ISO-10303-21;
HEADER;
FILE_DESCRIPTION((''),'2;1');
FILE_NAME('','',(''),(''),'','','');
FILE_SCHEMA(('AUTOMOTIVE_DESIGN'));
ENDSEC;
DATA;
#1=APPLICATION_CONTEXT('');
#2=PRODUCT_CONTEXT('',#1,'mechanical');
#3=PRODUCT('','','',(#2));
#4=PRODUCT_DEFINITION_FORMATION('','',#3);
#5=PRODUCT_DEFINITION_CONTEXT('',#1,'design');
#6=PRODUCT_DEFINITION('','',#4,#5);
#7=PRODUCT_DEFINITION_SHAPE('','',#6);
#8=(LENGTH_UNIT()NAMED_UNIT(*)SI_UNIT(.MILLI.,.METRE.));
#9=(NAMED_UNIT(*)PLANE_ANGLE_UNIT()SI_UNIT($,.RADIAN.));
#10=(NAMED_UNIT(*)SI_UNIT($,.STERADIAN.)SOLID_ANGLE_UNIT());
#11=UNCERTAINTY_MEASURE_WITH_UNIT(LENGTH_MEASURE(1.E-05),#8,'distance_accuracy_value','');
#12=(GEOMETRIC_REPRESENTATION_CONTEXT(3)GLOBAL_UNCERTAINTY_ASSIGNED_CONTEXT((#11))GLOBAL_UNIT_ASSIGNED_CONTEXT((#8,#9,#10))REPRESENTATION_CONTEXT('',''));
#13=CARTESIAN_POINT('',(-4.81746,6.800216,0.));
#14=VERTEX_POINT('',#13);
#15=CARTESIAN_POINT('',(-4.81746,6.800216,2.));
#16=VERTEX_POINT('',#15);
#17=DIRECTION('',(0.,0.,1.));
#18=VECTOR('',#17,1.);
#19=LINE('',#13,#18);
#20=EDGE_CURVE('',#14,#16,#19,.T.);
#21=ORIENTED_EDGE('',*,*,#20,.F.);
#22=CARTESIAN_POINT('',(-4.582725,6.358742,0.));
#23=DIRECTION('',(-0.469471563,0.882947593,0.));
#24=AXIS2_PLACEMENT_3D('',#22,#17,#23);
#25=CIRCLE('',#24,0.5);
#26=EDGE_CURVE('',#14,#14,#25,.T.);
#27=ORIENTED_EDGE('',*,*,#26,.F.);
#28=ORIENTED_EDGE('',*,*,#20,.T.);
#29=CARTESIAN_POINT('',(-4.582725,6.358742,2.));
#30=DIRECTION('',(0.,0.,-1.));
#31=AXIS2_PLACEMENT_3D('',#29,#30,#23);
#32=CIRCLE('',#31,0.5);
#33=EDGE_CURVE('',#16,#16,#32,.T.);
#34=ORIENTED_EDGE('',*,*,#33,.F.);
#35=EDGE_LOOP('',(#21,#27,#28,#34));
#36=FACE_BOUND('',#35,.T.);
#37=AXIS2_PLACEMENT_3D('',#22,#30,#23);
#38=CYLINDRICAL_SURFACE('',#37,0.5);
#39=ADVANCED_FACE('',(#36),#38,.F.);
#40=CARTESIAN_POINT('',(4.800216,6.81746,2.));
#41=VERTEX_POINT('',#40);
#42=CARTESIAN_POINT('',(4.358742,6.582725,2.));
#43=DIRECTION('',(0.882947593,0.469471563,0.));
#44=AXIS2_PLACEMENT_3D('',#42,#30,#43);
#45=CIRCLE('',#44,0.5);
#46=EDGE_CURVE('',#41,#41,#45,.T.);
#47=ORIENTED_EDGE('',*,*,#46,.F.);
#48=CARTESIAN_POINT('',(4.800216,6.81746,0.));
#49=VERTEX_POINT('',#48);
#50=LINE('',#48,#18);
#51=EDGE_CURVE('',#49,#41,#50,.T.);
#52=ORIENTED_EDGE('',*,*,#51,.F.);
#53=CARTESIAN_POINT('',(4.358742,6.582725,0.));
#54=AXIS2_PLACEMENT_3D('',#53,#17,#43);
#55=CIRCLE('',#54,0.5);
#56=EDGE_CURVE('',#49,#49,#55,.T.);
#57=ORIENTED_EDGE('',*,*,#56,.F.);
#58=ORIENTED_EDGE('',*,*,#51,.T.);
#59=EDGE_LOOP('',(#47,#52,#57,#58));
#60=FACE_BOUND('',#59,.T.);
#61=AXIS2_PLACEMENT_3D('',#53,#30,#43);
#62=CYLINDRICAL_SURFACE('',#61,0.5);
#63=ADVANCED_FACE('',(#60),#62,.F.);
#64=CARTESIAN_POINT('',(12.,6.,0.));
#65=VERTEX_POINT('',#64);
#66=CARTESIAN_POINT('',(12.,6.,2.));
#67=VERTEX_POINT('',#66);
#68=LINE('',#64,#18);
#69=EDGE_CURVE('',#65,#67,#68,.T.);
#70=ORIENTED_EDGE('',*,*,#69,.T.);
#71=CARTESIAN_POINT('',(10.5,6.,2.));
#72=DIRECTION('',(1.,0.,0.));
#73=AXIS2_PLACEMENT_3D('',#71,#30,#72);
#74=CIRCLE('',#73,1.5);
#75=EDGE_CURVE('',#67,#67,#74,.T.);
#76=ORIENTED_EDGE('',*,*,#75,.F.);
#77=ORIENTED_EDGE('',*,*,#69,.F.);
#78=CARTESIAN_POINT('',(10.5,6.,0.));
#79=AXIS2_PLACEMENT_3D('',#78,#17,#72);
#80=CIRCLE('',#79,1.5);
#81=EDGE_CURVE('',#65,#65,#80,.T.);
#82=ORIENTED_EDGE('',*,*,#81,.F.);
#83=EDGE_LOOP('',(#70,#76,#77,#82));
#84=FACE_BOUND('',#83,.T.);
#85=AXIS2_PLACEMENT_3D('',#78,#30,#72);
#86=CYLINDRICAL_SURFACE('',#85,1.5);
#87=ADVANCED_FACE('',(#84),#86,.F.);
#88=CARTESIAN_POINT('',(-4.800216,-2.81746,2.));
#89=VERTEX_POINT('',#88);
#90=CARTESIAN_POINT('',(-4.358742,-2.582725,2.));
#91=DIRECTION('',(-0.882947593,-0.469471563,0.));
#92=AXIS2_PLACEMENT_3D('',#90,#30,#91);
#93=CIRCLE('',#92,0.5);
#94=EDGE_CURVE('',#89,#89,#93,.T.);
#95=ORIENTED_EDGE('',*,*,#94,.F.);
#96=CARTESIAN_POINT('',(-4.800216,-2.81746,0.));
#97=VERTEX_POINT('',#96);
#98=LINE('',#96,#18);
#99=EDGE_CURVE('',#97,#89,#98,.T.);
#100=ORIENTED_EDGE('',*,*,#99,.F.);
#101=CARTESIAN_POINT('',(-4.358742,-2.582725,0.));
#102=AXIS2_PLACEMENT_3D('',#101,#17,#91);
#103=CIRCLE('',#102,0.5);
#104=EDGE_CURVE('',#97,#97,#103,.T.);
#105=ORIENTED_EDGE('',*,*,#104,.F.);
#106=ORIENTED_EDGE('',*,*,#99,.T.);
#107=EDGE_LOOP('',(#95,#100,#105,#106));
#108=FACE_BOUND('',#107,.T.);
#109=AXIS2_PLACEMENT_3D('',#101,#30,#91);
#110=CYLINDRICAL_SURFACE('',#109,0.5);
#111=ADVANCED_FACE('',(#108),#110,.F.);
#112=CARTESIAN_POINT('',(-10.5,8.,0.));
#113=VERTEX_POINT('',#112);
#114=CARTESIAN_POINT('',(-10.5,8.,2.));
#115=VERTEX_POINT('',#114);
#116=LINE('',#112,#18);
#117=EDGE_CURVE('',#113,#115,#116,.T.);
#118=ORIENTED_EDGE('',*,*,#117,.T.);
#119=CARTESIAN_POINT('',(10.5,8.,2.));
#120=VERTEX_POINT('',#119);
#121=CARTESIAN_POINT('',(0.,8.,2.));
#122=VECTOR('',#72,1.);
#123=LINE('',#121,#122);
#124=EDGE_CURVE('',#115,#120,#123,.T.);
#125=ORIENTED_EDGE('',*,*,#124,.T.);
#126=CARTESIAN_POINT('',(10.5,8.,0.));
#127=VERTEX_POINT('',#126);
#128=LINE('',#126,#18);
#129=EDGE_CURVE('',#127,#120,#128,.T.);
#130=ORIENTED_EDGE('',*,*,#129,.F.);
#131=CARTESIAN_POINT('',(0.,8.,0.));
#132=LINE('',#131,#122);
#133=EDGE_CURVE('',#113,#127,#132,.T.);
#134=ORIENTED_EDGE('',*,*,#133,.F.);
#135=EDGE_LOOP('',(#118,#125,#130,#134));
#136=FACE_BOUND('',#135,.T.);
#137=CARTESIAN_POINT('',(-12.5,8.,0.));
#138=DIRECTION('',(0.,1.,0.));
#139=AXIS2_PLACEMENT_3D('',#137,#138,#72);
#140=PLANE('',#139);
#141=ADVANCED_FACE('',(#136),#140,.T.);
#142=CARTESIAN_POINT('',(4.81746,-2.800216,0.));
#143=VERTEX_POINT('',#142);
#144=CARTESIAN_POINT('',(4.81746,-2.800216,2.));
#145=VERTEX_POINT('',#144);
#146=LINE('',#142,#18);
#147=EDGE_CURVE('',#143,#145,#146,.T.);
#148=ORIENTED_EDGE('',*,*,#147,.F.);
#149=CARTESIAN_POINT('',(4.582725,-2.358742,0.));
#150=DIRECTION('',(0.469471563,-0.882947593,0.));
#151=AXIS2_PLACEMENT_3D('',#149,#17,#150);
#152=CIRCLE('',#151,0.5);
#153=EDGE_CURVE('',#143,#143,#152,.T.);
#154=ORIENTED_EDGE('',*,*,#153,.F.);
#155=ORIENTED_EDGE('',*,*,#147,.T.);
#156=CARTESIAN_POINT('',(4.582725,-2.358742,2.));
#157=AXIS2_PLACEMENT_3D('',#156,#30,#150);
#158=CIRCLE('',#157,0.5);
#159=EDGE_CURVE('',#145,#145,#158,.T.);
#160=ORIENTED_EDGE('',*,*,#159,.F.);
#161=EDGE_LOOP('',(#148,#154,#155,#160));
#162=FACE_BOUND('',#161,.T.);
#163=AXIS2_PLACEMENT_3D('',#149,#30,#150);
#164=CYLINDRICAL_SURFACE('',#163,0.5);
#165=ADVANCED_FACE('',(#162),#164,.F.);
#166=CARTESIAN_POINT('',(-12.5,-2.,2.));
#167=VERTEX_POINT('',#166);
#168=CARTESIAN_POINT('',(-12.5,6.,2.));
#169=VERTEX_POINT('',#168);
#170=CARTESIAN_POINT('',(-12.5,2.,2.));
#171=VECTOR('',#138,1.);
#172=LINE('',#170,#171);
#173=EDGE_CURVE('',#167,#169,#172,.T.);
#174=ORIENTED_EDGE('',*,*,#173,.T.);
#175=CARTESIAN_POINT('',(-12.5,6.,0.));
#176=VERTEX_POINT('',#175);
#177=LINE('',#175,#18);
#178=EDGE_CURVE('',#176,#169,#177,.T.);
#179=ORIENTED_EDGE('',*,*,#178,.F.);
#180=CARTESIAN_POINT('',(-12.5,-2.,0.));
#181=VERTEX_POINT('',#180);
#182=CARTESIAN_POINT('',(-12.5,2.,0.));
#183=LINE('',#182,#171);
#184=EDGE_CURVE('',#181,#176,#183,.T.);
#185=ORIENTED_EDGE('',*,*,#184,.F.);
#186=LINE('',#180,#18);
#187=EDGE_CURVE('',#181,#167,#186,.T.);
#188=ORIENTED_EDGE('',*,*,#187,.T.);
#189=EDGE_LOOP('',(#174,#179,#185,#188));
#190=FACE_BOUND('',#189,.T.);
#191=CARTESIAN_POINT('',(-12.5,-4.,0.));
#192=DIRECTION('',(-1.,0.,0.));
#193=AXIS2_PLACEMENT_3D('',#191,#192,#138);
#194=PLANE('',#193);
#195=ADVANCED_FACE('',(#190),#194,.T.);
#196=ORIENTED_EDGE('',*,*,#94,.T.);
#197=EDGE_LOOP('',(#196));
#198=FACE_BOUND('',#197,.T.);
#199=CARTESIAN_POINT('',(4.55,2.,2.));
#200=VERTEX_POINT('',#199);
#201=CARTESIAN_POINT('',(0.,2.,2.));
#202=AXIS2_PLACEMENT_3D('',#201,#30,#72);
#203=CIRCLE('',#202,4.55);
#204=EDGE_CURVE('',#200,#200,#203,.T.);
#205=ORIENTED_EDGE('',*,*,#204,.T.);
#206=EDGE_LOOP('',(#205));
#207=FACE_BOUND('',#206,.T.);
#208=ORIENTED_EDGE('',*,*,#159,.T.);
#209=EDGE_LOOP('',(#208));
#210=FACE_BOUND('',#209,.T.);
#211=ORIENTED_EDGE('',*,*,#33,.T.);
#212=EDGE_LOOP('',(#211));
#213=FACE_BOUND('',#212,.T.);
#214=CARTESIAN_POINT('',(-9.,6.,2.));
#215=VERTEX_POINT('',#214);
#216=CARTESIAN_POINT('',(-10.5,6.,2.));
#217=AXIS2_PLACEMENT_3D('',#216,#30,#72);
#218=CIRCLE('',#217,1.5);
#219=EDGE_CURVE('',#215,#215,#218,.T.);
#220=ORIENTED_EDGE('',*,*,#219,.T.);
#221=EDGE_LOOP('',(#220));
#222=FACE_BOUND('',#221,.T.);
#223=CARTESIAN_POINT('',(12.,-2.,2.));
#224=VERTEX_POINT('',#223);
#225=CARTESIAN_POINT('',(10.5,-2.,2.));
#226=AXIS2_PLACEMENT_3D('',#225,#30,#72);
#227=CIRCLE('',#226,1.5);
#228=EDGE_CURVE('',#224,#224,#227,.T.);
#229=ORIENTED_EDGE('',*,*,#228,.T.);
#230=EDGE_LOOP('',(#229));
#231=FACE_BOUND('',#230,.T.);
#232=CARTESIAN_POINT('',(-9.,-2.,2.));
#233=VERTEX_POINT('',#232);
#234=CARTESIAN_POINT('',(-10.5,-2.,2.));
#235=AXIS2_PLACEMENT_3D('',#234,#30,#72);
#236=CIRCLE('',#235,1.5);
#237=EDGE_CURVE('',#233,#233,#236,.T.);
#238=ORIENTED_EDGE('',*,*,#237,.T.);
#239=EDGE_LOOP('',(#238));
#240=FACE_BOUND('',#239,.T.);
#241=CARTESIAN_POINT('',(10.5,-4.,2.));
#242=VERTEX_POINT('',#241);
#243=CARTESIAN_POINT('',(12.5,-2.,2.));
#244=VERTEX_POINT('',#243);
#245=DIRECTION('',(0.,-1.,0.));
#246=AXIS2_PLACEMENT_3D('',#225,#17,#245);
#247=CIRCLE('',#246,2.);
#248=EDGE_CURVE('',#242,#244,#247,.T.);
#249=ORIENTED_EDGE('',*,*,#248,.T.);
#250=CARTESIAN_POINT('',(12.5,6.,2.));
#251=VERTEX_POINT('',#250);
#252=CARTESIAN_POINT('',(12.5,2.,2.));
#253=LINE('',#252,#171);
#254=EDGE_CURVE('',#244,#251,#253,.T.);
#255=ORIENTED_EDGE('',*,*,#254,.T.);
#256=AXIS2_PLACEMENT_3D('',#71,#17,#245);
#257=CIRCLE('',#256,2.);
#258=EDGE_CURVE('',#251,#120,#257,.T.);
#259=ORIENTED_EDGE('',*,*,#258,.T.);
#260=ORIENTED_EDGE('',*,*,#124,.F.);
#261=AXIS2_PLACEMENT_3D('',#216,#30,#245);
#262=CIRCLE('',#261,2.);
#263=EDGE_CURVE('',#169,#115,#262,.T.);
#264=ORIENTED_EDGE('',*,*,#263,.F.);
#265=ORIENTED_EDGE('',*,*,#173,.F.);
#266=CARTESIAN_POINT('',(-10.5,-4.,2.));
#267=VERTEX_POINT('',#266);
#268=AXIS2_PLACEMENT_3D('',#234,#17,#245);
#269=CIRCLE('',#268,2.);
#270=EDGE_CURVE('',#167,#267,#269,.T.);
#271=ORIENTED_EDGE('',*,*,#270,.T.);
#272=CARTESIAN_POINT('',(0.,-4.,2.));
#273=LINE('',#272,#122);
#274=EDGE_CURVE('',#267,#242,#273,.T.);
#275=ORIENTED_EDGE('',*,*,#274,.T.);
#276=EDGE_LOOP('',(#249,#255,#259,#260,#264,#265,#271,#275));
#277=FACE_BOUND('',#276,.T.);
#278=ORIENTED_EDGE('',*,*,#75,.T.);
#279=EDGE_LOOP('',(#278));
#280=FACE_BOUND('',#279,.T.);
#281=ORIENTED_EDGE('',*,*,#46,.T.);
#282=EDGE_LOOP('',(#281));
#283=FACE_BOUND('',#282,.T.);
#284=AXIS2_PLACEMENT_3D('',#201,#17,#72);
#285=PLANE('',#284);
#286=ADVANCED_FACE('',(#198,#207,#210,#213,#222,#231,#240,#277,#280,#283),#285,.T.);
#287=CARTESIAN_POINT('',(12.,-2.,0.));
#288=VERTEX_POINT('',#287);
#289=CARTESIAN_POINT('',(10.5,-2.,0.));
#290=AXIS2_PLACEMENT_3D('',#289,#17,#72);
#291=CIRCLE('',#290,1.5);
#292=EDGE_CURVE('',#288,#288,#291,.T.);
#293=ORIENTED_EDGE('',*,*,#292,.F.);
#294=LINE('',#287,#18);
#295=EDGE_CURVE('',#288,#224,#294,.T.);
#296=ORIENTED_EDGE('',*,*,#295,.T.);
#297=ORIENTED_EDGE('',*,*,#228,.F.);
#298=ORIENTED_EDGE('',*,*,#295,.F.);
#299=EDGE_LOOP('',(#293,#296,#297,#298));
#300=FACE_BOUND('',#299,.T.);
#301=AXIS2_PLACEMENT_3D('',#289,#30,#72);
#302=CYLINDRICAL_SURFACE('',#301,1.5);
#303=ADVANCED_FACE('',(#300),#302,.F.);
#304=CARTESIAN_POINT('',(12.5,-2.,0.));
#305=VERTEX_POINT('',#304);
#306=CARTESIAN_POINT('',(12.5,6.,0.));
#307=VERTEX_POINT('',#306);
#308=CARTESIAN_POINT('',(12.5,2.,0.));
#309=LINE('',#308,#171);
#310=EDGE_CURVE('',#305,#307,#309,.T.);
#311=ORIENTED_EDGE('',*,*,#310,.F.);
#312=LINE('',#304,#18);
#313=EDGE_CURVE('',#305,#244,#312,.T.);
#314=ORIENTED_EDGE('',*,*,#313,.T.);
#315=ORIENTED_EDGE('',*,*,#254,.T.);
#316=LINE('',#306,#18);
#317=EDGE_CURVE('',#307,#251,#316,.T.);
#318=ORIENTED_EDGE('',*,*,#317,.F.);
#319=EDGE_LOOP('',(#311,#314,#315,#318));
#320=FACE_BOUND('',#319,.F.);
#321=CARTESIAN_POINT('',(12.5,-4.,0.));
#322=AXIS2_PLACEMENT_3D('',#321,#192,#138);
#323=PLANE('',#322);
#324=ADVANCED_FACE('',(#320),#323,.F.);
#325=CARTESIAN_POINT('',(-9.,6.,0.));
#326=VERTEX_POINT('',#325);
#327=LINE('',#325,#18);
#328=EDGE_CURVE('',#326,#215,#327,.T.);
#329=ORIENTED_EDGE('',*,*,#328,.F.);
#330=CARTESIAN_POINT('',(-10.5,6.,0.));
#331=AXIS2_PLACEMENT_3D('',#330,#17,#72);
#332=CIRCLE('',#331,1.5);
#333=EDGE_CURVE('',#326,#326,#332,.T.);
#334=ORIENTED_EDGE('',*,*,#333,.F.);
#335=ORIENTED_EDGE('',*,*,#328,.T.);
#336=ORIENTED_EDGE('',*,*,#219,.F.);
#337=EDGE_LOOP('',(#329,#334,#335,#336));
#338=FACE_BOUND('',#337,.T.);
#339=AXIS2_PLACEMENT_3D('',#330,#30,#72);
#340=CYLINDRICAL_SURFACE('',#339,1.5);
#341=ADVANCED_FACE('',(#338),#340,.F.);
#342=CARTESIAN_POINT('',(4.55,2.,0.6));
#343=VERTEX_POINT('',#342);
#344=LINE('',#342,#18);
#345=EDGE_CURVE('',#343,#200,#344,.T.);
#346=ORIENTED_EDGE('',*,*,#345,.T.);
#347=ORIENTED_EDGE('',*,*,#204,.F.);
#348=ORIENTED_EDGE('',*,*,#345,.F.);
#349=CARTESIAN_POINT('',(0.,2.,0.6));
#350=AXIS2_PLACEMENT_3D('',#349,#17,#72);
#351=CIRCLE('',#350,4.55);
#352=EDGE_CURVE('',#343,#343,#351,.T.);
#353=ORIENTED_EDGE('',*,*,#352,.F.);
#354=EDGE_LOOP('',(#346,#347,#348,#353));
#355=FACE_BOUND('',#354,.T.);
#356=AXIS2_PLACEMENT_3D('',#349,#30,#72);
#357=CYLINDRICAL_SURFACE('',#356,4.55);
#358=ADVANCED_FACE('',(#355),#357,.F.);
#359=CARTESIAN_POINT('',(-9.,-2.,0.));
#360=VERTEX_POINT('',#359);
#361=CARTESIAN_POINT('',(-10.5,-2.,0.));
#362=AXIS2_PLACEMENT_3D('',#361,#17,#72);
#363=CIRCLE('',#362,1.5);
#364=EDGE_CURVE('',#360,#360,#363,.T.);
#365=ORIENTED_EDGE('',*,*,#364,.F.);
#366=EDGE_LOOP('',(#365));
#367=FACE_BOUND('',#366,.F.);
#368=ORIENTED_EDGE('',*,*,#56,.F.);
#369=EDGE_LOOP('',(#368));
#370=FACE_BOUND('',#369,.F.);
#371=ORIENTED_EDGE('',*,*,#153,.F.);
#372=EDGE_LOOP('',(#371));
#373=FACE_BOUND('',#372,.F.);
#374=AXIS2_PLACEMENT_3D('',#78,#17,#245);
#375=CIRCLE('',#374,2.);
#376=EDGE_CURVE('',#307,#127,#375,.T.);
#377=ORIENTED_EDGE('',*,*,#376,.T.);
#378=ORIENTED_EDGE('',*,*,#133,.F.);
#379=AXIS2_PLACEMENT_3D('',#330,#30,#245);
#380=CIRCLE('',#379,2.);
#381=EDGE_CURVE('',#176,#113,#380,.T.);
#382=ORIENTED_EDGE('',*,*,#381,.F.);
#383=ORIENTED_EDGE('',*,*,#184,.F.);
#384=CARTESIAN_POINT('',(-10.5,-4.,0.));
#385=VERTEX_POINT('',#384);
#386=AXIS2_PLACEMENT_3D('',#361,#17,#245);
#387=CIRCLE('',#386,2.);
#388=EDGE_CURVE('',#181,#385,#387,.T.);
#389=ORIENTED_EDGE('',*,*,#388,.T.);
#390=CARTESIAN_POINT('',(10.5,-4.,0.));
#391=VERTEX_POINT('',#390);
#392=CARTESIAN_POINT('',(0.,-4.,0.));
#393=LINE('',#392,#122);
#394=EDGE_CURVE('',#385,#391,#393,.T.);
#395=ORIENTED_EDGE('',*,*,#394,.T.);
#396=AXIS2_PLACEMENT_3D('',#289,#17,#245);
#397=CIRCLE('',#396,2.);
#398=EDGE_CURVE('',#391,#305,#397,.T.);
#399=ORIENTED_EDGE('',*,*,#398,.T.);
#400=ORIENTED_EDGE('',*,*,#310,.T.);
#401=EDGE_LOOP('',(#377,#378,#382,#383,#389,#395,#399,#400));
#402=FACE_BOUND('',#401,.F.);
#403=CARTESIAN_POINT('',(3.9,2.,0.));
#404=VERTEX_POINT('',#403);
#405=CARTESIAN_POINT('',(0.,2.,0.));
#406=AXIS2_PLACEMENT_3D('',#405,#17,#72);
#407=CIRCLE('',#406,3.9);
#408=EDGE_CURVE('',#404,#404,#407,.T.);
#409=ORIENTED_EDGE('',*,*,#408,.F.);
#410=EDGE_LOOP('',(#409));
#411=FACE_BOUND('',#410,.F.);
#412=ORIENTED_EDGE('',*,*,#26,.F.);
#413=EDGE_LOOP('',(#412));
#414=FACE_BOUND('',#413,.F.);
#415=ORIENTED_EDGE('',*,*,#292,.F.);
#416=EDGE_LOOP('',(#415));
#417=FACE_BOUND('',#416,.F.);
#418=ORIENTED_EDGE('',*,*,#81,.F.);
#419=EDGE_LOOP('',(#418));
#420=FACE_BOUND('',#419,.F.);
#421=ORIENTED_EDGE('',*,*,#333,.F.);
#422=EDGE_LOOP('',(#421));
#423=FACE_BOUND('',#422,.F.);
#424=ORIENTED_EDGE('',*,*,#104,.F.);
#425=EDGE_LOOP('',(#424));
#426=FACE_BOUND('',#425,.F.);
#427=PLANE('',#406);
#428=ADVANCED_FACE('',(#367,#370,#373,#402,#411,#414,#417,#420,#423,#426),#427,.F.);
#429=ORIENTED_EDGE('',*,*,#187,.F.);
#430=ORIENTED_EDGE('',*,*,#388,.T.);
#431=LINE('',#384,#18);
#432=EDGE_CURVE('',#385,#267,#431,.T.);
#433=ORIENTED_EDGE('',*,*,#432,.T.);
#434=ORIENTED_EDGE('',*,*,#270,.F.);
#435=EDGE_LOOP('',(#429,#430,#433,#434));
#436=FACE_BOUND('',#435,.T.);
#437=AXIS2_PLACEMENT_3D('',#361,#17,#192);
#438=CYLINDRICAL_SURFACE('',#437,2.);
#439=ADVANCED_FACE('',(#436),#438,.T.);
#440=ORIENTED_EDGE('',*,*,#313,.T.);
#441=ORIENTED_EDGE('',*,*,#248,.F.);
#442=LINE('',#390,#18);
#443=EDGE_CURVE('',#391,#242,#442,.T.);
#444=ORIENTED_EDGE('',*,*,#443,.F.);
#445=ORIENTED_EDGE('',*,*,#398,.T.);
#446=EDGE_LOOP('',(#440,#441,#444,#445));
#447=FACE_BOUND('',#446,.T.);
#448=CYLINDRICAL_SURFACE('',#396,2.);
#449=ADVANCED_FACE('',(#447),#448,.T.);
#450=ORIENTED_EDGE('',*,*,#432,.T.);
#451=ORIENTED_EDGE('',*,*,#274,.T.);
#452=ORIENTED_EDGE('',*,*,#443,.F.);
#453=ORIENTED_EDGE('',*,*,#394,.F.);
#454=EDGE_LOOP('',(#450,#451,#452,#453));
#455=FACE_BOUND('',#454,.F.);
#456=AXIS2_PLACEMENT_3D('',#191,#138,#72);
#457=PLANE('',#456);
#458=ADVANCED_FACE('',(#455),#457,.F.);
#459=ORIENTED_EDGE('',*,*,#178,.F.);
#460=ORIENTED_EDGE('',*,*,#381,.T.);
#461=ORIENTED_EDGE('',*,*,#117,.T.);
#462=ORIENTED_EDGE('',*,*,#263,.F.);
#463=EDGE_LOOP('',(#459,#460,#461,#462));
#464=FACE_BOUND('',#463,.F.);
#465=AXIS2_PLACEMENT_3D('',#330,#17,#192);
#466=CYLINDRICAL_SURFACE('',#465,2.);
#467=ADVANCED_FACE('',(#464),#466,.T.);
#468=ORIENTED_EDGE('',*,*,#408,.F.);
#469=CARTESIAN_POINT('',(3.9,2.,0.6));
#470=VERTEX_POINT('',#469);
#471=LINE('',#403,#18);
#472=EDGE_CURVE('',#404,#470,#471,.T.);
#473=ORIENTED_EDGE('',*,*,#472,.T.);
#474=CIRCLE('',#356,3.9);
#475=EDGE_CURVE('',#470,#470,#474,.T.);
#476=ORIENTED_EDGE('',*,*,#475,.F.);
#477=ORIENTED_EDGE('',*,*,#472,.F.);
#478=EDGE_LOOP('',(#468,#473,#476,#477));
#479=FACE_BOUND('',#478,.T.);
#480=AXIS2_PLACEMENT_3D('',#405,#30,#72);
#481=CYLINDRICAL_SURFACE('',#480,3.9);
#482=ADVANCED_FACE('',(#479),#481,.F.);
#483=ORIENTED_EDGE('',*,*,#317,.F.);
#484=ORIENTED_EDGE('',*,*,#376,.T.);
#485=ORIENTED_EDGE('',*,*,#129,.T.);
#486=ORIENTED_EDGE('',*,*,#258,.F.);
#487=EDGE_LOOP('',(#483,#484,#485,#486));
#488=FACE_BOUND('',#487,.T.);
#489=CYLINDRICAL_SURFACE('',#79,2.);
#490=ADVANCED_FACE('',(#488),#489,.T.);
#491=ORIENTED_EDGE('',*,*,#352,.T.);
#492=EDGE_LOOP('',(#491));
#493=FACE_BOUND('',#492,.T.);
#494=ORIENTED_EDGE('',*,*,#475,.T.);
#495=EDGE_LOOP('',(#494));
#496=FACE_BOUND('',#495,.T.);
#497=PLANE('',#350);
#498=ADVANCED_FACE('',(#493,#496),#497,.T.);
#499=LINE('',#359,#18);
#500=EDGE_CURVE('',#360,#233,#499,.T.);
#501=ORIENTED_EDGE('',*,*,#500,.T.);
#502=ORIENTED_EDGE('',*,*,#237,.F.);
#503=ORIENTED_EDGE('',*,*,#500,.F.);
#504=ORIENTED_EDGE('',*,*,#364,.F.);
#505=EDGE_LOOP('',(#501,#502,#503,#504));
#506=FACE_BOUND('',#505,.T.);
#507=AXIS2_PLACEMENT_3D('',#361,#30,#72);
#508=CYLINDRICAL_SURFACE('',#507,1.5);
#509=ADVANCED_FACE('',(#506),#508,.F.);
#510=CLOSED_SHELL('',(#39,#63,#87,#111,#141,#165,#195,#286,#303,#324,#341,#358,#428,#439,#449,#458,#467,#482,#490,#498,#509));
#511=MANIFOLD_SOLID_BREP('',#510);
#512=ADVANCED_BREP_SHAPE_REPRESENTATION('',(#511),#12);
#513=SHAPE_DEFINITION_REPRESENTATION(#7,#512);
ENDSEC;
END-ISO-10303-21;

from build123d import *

# Parameters (mm, degrees)
CYLINDER065_R            = 0.5
CYLINDER065_DEPTH        = 10
ARRAY016_COUNT           = 4
ARRAY016_PLACEMENT_ANGLE = 28
CYLINDER060_R            = 4.55
CYLINDER060_DEPTH        = 10
CYLINDER059_R            = 3.9
CYLINDER059_DEPTH        = 10
CYLINDER063_R            = 1.5
CYLINDER063_DEPTH        = 10
ARRAY018_X_COUNT         = 2
ARRAY018_X_PITCH         = 21
ARRAY018_Y_COUNT         = 2
ARRAY018_Y_PITCH         = 8
BOX008_W                 = 25
BOX008_H                 = 12
BOX008_DEPTH             = 2
FILLET008_R              = 2


with BuildPart() as array016:
    # Cylinder065 → Cylinder065 (new body)
    with BuildSketch(Plane(origin=(6, 2, 0), x_dir=(1, 0, 0), z_dir=(0, 0, 1))):
        Circle(CYLINDER065_R)
    extrude(amount=CYLINDER065_DEPTH)

    # Array016: Array016 ×4 about axis
    array016_axis = Axis((0, 0, 0), (0, 0, 1))


with BuildPart() as array016_1:
    add(array016.part)
    for i in range(1, ARRAY016_COUNT):
        add(array016.part.rotate(array016_axis, i * 360 / ARRAY016_COUNT))


with BuildPart() as array016_2:
    # Array016 placement: moved
    add(array016_1.part.rotate(Axis((0, 0, 0), (0, 0, 1)), ARRAY016_PLACEMENT_ANGLE))


with BuildPart() as mountplatelip005:
    # Cylinder060 → Cylinder060 (new body)
    with BuildSketch(Plane.XY.offset(0.6)):
        Circle(CYLINDER060_R)
    extrude(amount=CYLINDER060_DEPTH)


with BuildPart() as mountplateinnerhole004:
    # Cylinder059 → Cylinder059 (new body)
    with BuildSketch(Plane.XY):
        Circle(CYLINDER059_R)
    extrude(amount=CYLINDER059_DEPTH)


with BuildPart() as fusion020:
    # Cylinder063 → Cylinder063 (new body)
    with BuildSketch(Plane.XY):
        Circle(CYLINDER063_R)
    extrude(amount=CYLINDER063_DEPTH)

    # Array018 X: Fusion020 ×2


with BuildPart() as fusion020_1:
    add(fusion020.part)
    with Locations(*[(i * ARRAY018_X_PITCH, 0, 0) for i in range(1, ARRAY018_X_COUNT)]):
        add(fusion020.part)

    # Array018 Y: Fusion020 ×2


with BuildPart() as fusion020_2:
    add(fusion020_1.part)
    with Locations(*[(0, i * ARRAY018_Y_PITCH, 0) for i in range(1, ARRAY018_Y_COUNT)]):
        add(fusion020_1.part)


with BuildPart() as fusion020_3:
    # Array018 placement: moved
    add(fusion020_2.part.moved(Location((-10.5, -4, 0))))

    # Fusion020: union Array016, MountPlateLip005, MountPlateInnerHole004
    add(array016_2.part)
    add(mountplatelip005.part)
    add(mountplateinnerhole004.part)


with BuildPart() as backplate:
    # Box008 → Box008 (new body)
    with BuildSketch(Plane(origin=(-12.5, -6, 0), x_dir=(1, 0, 0), z_dir=(0, 0, 1))):
        with Locations((12.5, 6)):
            Rectangle(BOX008_W, BOX008_H)
    extrude(amount=BOX008_DEPTH)

    # Fillet008
    fillet008_edges = [backplate.edges().sort_by_distance(p)[0] for p in [
        (-12.5, -6, 1),
        (-12.5, 6, 1),
        (12.5, -6, 1),
        (12.5, 6, 1),
    ]]
    fillet(fillet008_edges, radius=FILLET008_R)

    # Cut023: cut Fusion020
    add(fusion020_3.part, mode=Mode.SUBTRACT)


with BuildPart() as backplate_1:
    # Cut023 placement: moved
    add(backplate.part.moved(Location((0, 2, 0))))


solid = backplate_1.part
